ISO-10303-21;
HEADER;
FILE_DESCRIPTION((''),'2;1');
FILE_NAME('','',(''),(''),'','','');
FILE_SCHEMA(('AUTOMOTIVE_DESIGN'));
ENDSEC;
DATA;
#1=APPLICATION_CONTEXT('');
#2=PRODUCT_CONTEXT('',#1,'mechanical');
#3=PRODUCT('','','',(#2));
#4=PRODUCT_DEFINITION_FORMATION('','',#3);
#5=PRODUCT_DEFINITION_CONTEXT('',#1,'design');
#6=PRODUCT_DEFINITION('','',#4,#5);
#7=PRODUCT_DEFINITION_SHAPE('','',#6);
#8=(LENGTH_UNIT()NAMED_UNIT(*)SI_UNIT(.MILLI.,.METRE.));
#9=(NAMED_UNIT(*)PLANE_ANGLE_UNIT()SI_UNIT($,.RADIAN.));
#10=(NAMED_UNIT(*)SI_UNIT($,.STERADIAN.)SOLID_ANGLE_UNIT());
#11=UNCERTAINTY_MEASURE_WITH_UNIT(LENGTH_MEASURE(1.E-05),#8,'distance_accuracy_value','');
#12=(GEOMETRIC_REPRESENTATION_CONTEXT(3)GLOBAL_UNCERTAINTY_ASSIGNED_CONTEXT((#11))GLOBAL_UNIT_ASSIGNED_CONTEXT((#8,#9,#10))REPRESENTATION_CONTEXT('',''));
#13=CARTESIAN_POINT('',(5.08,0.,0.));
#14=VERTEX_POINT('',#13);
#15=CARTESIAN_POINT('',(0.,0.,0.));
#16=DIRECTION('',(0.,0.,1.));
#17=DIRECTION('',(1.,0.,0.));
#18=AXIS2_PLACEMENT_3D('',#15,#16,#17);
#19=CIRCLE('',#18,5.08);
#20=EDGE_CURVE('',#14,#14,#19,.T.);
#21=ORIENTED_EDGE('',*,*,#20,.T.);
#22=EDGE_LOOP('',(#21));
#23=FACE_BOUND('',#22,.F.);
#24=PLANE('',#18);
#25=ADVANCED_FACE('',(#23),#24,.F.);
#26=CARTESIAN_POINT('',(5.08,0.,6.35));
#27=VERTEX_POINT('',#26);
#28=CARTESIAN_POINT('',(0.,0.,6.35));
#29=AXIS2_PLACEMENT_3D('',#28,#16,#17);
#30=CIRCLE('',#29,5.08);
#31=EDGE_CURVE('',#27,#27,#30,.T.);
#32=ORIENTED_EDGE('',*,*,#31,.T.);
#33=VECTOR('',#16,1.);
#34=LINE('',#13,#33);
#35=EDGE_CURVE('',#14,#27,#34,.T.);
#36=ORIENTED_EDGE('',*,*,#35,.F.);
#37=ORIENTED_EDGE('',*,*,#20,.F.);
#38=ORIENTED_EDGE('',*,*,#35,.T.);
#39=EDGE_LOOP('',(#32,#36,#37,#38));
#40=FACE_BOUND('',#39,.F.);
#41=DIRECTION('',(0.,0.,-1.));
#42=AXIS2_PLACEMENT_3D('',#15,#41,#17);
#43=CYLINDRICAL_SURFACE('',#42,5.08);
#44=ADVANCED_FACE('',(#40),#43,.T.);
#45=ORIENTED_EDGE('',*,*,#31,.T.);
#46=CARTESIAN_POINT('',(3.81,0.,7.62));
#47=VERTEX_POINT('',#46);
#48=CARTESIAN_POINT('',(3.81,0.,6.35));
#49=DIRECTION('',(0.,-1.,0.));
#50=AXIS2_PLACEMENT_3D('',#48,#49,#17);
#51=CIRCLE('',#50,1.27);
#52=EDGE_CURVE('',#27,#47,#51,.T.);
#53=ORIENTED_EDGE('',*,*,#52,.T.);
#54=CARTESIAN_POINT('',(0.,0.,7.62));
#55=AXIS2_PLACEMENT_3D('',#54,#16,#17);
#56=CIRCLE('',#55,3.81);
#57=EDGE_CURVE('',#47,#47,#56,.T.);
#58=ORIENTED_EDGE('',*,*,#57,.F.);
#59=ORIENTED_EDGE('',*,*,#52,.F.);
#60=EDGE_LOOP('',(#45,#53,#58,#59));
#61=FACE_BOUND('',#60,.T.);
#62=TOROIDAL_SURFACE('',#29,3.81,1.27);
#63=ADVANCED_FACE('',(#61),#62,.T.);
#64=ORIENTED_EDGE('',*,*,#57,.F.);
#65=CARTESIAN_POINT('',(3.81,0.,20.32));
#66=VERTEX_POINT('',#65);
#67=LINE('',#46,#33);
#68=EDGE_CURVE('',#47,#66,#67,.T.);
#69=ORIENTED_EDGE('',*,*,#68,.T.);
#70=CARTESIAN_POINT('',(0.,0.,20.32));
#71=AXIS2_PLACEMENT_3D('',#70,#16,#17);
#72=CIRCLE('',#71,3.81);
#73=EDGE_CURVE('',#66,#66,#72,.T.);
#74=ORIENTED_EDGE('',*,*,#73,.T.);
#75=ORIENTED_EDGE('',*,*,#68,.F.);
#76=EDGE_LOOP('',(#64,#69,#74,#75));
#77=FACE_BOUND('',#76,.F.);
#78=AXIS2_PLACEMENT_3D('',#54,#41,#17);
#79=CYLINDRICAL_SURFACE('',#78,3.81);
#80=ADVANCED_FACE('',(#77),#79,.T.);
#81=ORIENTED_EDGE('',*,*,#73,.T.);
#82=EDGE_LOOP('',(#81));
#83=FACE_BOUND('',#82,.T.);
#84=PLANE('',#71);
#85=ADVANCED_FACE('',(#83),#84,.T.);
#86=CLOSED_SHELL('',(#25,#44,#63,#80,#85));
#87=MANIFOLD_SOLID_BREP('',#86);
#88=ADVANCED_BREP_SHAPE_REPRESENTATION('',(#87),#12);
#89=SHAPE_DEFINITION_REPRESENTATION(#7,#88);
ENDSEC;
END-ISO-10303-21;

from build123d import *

# Parameters (mm, degrees)
F0_R      = 5.08
F1_DEPTH  = 7.62
F2_R      = 1.27
F1_FACE_R = 3.81
F3_DEPTH  = 12.7


with BuildPart() as f1:
    # F0 (on Top) → F1 (new body)
    with BuildSketch(Plane.XY):
        Circle(F0_R)
    extrude(amount=F1_DEPTH)

    # F2
    f2_edges = [f1.edges().sort_by_distance(p)[0] for p in [
        (-5.08, 0, 7.62),
    ]]
    fillet(f2_edges, radius=F2_R)

    # F1_face (on face) → F3 (join)
    with BuildSketch(Plane.XY.offset(7.62)):
        Circle(F1_FACE_R)
    extrude(amount=F3_DEPTH)


solid = f1.part
